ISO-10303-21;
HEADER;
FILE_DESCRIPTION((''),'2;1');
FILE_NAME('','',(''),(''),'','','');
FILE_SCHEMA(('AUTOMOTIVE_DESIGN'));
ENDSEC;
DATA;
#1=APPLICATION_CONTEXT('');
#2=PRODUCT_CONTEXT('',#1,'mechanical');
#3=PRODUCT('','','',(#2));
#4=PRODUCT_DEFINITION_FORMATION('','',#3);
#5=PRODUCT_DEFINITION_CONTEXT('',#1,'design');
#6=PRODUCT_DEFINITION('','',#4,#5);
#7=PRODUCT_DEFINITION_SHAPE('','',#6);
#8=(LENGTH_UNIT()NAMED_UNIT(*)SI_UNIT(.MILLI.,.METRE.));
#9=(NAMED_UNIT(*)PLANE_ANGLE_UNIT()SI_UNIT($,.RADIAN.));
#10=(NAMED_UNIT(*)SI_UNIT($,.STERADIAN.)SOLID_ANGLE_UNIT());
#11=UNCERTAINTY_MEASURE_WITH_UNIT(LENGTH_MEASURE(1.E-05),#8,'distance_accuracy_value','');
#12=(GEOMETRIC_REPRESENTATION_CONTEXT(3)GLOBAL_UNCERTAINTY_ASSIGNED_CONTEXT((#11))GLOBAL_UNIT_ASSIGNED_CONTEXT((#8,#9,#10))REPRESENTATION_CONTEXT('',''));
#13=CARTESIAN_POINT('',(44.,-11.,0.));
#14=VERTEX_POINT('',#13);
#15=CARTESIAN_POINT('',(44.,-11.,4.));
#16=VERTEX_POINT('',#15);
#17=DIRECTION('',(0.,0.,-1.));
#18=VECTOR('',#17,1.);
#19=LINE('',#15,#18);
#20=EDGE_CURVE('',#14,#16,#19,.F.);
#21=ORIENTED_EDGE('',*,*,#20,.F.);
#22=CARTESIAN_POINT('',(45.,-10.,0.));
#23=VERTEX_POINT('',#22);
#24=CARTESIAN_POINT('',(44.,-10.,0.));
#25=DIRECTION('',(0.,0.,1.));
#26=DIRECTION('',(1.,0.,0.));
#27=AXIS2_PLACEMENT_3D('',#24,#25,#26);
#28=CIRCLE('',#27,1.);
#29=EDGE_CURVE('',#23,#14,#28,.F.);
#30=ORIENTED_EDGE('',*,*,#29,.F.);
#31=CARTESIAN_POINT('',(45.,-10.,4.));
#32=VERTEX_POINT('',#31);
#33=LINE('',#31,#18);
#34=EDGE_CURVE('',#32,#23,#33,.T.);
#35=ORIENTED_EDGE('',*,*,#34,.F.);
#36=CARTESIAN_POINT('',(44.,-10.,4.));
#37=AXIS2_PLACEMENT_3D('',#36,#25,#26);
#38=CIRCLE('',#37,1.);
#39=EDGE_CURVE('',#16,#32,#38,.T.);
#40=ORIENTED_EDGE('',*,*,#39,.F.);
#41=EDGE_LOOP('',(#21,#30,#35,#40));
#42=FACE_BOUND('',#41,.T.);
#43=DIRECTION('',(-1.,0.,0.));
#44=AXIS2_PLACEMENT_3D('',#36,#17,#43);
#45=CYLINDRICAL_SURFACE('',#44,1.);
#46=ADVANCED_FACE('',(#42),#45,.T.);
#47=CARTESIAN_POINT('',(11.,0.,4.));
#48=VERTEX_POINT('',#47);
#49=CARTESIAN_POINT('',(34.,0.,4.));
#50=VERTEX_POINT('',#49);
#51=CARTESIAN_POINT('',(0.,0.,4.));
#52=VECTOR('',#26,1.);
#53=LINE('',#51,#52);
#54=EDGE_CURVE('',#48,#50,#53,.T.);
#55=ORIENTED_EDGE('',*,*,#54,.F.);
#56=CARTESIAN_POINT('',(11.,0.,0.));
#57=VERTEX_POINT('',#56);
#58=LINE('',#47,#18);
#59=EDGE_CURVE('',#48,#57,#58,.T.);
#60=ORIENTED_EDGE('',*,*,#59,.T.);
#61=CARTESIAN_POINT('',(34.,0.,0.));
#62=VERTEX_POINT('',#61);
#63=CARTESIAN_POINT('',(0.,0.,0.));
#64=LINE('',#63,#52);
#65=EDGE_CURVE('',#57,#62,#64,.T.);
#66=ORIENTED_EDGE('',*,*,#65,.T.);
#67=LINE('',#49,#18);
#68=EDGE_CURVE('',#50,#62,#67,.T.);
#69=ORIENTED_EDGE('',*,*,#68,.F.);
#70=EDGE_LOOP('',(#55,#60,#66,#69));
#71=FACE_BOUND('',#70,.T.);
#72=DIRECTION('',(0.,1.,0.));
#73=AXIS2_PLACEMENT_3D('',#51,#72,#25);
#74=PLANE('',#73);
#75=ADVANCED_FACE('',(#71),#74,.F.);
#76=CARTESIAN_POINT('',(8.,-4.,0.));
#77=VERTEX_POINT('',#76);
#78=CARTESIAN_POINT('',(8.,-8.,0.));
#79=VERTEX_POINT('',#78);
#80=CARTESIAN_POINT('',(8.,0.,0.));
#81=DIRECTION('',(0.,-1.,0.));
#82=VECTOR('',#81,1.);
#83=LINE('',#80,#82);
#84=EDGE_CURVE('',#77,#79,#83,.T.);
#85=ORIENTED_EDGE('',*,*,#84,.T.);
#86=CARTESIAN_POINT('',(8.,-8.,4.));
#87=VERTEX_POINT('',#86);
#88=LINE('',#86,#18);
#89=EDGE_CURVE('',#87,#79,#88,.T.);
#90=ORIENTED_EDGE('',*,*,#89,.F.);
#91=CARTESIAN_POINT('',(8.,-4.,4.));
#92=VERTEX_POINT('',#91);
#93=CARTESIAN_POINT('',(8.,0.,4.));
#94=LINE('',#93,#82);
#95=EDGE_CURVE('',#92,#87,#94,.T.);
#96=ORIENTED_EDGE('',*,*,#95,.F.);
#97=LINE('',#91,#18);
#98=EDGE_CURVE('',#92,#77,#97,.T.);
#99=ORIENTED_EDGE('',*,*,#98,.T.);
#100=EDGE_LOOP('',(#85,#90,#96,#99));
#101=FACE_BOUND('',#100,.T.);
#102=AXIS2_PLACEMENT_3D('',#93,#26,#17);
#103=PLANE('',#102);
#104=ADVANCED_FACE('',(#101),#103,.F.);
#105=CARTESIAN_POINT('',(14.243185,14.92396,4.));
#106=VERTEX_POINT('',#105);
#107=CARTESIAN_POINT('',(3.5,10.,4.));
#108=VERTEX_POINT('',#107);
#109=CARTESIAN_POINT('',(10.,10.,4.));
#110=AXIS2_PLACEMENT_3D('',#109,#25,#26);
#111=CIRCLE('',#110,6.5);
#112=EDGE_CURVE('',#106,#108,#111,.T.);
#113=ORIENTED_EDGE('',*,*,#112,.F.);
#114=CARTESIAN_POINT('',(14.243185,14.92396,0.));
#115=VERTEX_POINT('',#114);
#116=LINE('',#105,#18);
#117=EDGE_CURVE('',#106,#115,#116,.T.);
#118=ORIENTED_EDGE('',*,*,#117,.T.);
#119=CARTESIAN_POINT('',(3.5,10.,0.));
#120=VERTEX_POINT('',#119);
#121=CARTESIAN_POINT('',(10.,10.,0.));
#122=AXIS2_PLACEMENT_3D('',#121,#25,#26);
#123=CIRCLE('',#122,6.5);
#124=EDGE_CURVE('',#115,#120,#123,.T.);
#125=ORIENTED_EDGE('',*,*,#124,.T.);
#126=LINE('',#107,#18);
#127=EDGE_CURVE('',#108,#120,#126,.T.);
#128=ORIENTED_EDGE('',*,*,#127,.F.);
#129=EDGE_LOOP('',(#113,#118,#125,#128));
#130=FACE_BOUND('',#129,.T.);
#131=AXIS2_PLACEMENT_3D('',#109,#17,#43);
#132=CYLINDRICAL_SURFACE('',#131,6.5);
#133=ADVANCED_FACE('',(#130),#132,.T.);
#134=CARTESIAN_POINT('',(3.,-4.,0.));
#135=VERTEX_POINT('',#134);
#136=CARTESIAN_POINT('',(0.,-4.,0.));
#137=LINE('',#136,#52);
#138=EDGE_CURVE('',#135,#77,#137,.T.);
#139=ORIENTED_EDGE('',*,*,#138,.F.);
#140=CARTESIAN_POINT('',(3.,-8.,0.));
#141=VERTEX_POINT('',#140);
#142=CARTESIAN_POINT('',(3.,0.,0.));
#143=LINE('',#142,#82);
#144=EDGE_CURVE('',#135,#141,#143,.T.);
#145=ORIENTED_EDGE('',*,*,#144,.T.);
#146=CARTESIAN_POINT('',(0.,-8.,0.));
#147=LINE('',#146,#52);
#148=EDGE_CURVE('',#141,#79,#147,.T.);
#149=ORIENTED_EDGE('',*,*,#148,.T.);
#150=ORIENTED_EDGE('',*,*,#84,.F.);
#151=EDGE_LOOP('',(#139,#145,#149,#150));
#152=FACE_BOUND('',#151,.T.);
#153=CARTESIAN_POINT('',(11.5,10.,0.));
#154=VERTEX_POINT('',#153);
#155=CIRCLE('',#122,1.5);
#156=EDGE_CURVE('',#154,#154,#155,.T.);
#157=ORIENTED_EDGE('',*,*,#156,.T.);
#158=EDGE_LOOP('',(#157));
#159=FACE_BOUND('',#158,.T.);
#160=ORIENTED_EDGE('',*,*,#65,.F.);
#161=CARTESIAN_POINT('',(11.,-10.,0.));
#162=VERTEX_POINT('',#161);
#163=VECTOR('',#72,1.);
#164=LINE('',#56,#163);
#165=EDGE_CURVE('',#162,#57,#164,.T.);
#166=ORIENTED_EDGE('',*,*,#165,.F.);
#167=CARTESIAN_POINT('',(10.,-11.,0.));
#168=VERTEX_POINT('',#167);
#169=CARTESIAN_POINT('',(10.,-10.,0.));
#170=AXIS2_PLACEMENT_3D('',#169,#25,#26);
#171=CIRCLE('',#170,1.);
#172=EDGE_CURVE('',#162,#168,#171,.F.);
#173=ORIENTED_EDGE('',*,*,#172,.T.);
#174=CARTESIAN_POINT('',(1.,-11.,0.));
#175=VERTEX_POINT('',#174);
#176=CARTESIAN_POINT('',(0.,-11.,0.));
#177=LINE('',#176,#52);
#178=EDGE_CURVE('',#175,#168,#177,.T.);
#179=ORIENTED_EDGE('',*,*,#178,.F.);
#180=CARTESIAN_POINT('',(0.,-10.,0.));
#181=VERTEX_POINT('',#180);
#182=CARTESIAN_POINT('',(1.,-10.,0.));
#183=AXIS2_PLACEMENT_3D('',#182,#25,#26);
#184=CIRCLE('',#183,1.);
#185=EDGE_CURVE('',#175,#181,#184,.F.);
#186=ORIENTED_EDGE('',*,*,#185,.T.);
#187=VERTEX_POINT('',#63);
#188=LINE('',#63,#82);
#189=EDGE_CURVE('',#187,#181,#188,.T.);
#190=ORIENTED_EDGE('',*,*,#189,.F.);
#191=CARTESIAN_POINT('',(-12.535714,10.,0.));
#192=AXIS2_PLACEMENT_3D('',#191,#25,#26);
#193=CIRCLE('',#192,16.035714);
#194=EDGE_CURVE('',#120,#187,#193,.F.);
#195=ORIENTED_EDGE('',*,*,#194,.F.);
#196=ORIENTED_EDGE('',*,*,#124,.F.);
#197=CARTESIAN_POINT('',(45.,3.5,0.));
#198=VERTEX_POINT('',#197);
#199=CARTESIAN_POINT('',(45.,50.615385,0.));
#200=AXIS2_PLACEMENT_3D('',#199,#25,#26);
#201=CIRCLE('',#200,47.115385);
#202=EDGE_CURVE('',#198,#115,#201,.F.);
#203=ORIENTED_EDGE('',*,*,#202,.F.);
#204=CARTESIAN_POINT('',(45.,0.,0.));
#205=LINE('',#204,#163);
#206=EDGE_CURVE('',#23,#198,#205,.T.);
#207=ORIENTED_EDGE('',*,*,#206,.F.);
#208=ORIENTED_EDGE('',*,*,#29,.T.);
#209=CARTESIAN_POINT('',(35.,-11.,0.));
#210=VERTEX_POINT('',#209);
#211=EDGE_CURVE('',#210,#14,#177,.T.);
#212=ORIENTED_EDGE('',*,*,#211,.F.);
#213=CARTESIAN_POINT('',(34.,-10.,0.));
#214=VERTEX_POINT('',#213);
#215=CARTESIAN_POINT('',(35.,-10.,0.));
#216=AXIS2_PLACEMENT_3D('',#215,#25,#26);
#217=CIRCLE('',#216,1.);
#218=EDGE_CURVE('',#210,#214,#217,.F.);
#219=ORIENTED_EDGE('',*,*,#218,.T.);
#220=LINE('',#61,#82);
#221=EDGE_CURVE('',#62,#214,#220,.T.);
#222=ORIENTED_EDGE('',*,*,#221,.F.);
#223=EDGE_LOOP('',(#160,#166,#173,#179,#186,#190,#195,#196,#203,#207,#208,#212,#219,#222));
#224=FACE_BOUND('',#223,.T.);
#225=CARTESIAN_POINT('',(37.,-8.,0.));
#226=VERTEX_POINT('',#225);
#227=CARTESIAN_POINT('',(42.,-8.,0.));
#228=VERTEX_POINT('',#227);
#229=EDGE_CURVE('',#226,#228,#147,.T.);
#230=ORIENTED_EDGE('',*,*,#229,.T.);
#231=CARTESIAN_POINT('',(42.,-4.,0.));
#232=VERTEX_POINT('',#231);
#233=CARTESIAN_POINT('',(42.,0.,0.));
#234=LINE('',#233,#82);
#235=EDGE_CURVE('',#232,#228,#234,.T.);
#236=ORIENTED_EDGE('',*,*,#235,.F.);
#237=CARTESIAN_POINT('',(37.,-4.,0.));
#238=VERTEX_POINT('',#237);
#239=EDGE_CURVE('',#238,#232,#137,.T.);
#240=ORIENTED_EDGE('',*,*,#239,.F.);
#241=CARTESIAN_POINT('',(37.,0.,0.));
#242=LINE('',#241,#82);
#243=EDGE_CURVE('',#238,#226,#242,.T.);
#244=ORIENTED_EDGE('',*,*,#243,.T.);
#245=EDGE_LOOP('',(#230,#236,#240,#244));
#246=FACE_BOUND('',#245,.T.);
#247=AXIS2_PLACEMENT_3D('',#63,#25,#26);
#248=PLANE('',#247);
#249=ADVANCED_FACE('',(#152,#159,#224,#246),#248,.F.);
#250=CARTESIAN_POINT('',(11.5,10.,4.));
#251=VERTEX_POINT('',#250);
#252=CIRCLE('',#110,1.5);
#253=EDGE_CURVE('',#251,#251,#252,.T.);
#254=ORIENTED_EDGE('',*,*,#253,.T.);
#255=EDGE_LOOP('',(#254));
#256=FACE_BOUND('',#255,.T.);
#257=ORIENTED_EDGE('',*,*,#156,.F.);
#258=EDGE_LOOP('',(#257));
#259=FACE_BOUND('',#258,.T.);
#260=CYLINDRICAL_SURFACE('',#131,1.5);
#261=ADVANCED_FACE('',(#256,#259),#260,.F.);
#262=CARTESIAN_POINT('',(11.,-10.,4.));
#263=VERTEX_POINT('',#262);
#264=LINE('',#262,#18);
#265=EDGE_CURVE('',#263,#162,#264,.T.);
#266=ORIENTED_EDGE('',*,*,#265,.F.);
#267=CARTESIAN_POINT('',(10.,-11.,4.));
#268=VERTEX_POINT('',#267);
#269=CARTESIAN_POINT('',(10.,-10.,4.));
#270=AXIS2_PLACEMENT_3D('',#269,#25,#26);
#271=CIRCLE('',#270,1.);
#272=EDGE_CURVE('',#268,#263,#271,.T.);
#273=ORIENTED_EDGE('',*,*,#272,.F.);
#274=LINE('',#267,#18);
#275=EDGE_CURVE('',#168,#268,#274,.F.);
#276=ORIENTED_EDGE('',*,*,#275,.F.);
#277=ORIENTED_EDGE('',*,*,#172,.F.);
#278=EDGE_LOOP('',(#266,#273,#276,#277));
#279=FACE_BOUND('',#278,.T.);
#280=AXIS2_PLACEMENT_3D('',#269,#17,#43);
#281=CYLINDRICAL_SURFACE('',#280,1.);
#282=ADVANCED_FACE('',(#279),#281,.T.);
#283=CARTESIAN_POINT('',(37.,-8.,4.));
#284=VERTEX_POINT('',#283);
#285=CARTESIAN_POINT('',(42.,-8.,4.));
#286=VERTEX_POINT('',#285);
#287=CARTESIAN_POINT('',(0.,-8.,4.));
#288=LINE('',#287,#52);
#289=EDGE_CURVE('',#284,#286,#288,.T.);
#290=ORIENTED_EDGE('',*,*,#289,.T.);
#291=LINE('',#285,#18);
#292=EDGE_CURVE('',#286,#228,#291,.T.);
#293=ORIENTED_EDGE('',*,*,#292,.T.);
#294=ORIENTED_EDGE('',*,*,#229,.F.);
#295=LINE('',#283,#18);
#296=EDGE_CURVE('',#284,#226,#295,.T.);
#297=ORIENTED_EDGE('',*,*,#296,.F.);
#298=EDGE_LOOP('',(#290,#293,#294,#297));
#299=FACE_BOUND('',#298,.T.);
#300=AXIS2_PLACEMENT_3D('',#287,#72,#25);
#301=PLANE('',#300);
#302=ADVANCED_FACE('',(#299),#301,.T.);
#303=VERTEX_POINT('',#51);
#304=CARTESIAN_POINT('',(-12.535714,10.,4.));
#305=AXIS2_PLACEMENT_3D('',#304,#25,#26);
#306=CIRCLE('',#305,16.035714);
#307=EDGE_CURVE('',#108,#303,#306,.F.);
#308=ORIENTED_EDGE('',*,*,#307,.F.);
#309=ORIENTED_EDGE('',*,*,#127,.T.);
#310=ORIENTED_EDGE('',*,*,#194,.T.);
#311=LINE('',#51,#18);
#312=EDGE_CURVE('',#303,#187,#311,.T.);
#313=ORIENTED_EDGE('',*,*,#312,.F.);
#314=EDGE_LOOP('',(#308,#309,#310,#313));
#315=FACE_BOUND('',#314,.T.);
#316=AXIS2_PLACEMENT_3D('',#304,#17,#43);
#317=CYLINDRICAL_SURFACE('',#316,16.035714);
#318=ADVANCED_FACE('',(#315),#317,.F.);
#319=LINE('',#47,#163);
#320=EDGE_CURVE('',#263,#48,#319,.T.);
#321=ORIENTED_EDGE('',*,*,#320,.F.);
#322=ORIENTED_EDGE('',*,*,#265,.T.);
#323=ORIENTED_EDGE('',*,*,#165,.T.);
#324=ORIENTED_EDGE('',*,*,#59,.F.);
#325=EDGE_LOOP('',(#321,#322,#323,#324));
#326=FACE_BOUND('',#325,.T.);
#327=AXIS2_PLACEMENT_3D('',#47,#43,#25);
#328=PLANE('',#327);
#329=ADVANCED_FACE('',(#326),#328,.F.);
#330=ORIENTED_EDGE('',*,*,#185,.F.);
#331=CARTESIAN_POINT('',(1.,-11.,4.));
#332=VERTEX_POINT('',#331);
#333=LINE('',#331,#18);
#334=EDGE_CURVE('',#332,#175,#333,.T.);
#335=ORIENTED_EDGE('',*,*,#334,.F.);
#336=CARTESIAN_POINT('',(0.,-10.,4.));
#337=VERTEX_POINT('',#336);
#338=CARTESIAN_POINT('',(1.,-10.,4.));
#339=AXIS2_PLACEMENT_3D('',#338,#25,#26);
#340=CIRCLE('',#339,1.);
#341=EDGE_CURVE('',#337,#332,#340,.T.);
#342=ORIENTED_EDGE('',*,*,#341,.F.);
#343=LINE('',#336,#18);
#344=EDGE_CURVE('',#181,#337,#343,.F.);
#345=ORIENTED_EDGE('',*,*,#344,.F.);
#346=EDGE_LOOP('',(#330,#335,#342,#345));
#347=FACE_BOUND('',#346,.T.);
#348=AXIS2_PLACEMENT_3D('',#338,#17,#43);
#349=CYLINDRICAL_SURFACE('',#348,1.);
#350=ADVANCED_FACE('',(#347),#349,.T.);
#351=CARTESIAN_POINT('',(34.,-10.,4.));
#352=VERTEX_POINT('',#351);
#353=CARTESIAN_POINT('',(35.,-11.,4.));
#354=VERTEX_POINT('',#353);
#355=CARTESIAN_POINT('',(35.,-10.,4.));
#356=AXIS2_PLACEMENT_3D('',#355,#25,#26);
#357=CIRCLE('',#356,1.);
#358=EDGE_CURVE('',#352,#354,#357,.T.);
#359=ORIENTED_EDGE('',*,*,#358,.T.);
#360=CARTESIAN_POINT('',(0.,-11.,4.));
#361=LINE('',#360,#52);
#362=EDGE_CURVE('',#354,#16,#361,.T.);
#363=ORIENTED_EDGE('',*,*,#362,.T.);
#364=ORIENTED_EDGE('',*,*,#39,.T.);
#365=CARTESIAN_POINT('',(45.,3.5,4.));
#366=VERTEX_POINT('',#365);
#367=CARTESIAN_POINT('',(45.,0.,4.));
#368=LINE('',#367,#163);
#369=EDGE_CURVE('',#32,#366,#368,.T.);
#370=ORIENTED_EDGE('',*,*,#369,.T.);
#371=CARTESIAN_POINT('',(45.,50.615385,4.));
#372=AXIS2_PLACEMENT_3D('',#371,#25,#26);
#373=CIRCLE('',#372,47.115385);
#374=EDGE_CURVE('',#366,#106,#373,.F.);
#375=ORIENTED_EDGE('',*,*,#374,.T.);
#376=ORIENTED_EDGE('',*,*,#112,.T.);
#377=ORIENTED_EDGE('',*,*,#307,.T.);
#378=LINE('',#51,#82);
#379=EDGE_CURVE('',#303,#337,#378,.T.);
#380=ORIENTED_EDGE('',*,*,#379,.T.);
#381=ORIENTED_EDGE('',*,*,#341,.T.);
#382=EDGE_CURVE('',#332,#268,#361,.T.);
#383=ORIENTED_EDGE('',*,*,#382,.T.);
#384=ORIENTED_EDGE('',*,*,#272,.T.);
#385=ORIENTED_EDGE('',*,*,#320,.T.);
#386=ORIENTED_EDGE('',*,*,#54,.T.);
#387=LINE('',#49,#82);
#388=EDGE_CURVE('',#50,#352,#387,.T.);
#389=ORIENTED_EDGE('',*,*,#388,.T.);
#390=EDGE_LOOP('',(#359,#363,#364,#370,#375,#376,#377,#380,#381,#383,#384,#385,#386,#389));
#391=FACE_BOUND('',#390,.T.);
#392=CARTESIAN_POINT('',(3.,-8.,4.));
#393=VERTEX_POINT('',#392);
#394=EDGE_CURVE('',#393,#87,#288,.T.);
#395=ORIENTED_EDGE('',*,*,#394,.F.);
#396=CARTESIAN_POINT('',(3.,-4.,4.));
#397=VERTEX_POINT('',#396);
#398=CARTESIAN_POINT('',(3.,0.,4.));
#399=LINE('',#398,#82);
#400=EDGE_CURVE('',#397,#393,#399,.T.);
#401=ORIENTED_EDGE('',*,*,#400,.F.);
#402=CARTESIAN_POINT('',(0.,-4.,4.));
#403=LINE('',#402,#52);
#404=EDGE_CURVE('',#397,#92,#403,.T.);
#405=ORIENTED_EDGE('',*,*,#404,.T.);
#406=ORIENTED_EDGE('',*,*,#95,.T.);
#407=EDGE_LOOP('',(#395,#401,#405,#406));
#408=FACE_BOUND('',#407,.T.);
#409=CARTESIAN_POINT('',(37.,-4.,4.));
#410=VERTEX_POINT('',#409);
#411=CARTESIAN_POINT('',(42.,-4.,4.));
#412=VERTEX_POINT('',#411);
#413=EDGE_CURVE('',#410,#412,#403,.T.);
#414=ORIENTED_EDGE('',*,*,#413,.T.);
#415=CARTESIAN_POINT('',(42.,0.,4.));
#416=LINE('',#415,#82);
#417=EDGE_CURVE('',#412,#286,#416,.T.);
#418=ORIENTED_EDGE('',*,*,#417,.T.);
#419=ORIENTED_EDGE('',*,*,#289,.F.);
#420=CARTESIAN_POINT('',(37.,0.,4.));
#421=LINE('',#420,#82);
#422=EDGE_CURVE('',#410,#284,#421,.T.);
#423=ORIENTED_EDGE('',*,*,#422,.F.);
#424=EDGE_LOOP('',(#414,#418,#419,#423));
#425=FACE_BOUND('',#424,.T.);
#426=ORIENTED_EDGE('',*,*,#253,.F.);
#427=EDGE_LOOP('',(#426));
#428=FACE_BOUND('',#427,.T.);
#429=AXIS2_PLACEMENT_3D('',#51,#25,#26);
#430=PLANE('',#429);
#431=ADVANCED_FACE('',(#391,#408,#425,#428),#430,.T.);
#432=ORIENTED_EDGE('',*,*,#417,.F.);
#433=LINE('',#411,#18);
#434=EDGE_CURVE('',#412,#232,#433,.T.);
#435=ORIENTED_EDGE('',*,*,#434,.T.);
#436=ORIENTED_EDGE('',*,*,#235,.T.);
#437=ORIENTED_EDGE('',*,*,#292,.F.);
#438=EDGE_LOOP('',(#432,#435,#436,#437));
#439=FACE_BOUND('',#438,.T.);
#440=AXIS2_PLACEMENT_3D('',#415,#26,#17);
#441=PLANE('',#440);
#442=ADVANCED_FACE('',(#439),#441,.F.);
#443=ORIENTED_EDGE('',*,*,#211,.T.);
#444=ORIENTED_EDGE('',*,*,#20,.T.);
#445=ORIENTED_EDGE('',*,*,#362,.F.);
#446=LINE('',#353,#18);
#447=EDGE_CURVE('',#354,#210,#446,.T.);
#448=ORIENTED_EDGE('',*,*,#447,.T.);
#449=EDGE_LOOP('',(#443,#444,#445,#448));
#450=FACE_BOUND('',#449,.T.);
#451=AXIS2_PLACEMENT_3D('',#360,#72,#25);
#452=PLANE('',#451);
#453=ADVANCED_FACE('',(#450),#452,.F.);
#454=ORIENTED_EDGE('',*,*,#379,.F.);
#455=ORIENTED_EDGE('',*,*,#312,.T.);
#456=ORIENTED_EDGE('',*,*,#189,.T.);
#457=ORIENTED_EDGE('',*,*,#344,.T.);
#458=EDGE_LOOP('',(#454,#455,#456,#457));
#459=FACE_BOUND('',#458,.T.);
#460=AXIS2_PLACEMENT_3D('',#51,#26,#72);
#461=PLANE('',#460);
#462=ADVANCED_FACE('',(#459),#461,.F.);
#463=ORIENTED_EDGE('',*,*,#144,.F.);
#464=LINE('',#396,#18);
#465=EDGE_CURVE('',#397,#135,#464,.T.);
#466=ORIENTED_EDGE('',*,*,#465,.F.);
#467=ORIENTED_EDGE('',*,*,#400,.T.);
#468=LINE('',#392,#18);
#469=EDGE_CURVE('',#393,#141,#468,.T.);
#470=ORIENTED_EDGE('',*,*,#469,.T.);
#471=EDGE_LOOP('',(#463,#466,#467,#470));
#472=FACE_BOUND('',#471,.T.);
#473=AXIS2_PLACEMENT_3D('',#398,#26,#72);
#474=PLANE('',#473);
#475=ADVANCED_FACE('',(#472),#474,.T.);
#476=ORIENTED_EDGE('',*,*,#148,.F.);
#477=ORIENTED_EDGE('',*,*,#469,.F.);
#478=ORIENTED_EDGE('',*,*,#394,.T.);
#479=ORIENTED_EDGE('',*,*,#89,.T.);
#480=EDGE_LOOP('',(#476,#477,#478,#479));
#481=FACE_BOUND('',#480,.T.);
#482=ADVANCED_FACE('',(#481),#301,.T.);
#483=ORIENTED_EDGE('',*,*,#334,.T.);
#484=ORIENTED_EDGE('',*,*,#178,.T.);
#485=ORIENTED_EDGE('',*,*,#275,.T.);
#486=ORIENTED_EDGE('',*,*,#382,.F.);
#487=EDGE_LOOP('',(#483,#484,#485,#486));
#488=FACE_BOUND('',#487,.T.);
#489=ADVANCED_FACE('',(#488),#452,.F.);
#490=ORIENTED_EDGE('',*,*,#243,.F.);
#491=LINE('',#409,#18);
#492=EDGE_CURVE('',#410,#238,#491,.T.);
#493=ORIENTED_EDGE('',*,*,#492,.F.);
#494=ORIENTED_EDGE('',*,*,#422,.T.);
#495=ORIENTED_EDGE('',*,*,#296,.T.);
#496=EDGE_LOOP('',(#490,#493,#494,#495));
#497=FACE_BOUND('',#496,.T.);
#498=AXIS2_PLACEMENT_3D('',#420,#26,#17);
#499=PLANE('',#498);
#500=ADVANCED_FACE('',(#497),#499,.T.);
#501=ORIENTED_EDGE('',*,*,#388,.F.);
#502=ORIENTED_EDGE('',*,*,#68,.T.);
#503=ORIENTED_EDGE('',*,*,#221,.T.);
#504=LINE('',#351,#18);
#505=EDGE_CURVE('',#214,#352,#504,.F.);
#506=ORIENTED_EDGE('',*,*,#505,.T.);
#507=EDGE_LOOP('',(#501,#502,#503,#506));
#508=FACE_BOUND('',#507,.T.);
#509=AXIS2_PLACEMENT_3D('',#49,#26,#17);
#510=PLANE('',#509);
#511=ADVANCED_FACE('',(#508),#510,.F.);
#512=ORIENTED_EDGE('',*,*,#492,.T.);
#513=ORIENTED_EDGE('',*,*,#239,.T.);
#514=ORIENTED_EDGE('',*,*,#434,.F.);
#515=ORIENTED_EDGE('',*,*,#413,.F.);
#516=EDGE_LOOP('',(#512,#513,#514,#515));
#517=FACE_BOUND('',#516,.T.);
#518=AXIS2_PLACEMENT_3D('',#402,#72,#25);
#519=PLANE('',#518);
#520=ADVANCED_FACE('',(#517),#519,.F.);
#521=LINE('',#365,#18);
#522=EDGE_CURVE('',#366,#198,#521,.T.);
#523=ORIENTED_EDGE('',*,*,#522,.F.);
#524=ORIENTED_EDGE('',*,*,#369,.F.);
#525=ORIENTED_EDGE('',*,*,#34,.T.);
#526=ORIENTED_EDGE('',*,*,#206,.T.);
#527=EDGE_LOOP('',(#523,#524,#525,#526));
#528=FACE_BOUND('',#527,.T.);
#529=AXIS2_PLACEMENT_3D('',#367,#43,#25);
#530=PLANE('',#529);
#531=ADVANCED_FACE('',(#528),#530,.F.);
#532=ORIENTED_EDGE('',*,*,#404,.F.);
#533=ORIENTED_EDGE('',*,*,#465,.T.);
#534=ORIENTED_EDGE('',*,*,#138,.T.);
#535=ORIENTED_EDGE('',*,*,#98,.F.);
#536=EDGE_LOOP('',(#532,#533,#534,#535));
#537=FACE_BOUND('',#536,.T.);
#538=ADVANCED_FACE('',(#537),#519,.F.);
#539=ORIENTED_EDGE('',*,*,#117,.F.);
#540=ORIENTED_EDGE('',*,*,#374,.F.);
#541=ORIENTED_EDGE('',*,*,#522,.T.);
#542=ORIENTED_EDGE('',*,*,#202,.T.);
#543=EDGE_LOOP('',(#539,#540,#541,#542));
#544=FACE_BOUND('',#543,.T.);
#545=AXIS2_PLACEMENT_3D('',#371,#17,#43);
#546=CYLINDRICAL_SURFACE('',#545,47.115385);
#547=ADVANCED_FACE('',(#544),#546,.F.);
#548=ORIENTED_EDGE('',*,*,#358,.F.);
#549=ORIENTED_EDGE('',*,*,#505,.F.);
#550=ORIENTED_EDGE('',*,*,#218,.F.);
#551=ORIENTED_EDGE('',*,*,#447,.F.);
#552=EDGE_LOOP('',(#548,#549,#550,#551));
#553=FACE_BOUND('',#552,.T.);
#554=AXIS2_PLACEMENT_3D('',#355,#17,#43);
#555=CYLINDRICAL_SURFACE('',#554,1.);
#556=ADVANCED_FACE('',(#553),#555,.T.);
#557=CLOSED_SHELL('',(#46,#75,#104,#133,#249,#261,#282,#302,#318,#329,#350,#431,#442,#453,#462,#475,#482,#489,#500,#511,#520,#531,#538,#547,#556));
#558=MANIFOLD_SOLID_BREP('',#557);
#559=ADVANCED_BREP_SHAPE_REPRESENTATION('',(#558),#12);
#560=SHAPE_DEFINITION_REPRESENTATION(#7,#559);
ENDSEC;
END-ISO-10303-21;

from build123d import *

# Parameters (mm, degrees)
SKETCH1_W           = 5
SKETCH1_H           = 4
SKETCH1_R           = 1.5
BOSS_EXTRUDE1_DEPTH = 4
FILLET3_R           = 1


with BuildPart() as part:
    # Sketch1 → Boss-Extrude1 (new body)
    with BuildSketch(Plane.XY):
        with BuildLine():
            ThreePointArc((3.5, 10), (2.599728643, 4.702594975), (0, 0))
            Line((0, 0), (0, -11))
            Line((0, -11), (11, -11))
            Line((11, -11), (11, 0))
            Line((11, 0), (34, 0))
            Line((34, 0), (34, -11))
            Line((34, -11), (45, -11))
            Line((45, -11), (45, 3.5))
            ThreePointArc((45, 3.5), (28.59505774, 6.448232376), (14.243185079, 14.923959828))
            ThreePointArc((14.243185079, 14.923959828), (7.291744382, 15.908921349), (3.5, 10))
        make_face()
        with Locations((5.5, -6)):
            Rectangle(SKETCH1_W, SKETCH1_H, mode=Mode.SUBTRACT)
        with Locations((39.5, -6)):
            Rectangle(SKETCH1_W, SKETCH1_H, mode=Mode.SUBTRACT)
        with Locations((10, 10)):
            Circle(SKETCH1_R, mode=Mode.SUBTRACT)
    extrude(amount=BOSS_EXTRUDE1_DEPTH)

    # Fillet3
    fillet3_edges = [part.edges().sort_by_distance(p)[0] for p in [
        (45, -11, 2),
        (34, -11, 2),
        (11, -11, 2),
        (0, -11, 2),
    ]]
    fillet(fillet3_edges, radius=FILLET3_R)


solid = part.part
